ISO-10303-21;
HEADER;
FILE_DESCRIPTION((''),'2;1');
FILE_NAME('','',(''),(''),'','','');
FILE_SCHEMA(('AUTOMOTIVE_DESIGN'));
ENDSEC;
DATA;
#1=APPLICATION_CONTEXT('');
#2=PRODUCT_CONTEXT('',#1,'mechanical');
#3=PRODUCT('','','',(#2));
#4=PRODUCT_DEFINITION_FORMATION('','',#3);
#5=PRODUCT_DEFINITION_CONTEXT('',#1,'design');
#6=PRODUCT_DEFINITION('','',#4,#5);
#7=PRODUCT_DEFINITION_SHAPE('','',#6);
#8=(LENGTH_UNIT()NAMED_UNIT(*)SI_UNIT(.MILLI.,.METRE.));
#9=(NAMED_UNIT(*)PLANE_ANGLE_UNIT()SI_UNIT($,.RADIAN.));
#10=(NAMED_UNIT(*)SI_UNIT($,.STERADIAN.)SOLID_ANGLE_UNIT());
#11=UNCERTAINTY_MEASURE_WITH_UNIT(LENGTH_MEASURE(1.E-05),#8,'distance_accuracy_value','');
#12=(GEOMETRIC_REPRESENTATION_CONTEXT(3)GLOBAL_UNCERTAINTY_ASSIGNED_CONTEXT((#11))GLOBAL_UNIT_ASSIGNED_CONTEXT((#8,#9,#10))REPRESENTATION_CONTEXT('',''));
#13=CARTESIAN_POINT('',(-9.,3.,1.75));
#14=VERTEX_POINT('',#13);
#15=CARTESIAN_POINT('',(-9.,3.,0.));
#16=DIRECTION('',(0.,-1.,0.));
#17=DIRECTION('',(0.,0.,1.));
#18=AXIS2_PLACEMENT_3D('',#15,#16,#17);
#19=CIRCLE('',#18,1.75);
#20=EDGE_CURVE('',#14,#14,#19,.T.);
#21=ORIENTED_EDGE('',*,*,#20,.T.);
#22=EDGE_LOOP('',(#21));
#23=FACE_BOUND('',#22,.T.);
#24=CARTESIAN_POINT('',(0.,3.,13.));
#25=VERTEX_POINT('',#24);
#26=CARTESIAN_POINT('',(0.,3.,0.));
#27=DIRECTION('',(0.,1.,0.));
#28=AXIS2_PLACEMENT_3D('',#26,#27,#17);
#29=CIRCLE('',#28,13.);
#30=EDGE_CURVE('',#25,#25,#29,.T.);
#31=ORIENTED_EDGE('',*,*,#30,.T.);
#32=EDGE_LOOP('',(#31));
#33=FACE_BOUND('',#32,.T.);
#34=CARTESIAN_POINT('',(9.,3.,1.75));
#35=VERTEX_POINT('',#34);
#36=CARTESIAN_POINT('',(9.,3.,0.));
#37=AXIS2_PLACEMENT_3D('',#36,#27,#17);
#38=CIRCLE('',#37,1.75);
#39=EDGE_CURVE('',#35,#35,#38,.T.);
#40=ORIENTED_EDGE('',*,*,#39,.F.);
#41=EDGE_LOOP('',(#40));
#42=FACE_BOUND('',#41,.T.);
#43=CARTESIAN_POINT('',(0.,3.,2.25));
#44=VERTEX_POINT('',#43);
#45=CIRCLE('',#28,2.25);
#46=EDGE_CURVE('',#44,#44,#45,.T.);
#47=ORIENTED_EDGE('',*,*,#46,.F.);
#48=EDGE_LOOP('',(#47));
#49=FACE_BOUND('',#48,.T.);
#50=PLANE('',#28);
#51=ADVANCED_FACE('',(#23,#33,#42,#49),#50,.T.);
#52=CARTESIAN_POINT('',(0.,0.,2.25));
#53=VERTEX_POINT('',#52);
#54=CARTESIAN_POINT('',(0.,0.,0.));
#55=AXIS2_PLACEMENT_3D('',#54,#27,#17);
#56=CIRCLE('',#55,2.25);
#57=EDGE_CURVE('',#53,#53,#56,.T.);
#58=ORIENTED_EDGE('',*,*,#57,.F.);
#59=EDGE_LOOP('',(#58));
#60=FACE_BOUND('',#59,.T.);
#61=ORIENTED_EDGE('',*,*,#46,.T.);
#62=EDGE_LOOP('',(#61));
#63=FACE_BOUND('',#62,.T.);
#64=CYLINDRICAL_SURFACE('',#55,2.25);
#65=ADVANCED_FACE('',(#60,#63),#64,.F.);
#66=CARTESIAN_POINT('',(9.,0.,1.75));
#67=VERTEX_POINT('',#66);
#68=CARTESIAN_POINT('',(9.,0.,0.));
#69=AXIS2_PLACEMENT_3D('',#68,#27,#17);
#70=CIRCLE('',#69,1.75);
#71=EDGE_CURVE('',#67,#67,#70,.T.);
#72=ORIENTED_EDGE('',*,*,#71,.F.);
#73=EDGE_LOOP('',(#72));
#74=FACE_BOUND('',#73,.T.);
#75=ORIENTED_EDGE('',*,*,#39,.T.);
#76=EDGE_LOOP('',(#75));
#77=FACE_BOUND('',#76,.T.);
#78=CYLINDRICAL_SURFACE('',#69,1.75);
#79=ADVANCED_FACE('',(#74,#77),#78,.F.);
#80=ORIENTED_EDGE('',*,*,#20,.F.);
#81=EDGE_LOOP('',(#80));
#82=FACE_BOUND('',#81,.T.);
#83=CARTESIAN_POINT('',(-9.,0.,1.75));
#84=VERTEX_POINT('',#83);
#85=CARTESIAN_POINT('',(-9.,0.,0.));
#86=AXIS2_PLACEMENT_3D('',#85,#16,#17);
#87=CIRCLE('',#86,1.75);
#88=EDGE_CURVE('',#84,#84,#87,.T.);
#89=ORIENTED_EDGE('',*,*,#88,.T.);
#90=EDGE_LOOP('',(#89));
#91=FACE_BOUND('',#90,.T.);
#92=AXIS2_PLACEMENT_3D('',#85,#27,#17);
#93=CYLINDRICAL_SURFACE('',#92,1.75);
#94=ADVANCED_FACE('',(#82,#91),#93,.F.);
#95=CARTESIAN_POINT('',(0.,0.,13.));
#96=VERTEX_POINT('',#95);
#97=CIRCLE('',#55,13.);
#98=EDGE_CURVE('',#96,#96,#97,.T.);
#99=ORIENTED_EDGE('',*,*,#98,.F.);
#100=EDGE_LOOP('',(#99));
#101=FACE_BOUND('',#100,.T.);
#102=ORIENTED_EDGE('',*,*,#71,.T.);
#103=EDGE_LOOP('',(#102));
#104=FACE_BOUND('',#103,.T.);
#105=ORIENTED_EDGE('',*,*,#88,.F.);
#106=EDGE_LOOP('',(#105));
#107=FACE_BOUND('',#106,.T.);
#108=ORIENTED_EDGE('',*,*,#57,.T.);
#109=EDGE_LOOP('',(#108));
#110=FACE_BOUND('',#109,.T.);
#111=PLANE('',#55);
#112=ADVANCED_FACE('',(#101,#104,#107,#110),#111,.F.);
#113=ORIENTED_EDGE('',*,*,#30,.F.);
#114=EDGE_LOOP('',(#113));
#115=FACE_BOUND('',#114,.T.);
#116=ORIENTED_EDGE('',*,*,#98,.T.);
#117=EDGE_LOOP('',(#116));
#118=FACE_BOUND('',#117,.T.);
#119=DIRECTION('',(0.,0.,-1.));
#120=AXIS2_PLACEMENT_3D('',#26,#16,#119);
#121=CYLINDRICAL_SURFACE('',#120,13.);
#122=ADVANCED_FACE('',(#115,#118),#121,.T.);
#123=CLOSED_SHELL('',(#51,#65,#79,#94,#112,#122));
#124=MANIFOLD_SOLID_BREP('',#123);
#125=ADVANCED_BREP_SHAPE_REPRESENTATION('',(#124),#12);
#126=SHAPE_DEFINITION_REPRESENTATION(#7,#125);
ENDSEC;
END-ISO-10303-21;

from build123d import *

# Parameters (mm, degrees)
SKETCH1_R           = 13
BOSS_EXTRUDE1_DEPTH = 3
SKETCH3_R           = 2.25
CUT_EXTRUDE1_DEPTH  = 3
SKETCH2_R           = 1.75
CUT_EXTRUDE2_DEPTH  = 3


with BuildPart() as part:
    # Sketch1 → Boss-Extrude1 (new body)
    with BuildSketch(Plane(origin=(0, 0, 0), x_dir=(1, 0, 0), z_dir=(0, 1, 0))):
        with Locations(Location((0, 0, 0), (0, 0, 270))):
            Circle(SKETCH1_R)
    extrude(amount=BOSS_EXTRUDE1_DEPTH)

    # Sketch3 → Cut-Extrude1 (cut)
    with BuildSketch(Plane(origin=(0, 3, 0), x_dir=(1, 0, 0), z_dir=(0, 1, 0))):
        with Locations(Location((0, 0, 0), (0, 0, 270))):
            Circle(SKETCH3_R)
    extrude(amount=-CUT_EXTRUDE1_DEPTH, mode=Mode.SUBTRACT)

    # Sketch2 → Cut-Extrude2 (cut)
    with BuildSketch(Plane(origin=(0, 3, 0), x_dir=(1, 0, 0), z_dir=(0, 1, 0))):
        with Locations(Location((9, 0, 0), (0, 0, 270))):
            Circle(SKETCH2_R)
    cut_extrude2 = extrude(amount=-CUT_EXTRUDE2_DEPTH, mode=Mode.SUBTRACT)

    # Mirror1: Cut-Extrude2 across plane
    add(cut_extrude2.mirror(Plane(origin=(0, 0, 0), x_dir=(0, 0, 1), z_dir=(1, 0, 0))), mode=Mode.SUBTRACT)


solid = part.part
